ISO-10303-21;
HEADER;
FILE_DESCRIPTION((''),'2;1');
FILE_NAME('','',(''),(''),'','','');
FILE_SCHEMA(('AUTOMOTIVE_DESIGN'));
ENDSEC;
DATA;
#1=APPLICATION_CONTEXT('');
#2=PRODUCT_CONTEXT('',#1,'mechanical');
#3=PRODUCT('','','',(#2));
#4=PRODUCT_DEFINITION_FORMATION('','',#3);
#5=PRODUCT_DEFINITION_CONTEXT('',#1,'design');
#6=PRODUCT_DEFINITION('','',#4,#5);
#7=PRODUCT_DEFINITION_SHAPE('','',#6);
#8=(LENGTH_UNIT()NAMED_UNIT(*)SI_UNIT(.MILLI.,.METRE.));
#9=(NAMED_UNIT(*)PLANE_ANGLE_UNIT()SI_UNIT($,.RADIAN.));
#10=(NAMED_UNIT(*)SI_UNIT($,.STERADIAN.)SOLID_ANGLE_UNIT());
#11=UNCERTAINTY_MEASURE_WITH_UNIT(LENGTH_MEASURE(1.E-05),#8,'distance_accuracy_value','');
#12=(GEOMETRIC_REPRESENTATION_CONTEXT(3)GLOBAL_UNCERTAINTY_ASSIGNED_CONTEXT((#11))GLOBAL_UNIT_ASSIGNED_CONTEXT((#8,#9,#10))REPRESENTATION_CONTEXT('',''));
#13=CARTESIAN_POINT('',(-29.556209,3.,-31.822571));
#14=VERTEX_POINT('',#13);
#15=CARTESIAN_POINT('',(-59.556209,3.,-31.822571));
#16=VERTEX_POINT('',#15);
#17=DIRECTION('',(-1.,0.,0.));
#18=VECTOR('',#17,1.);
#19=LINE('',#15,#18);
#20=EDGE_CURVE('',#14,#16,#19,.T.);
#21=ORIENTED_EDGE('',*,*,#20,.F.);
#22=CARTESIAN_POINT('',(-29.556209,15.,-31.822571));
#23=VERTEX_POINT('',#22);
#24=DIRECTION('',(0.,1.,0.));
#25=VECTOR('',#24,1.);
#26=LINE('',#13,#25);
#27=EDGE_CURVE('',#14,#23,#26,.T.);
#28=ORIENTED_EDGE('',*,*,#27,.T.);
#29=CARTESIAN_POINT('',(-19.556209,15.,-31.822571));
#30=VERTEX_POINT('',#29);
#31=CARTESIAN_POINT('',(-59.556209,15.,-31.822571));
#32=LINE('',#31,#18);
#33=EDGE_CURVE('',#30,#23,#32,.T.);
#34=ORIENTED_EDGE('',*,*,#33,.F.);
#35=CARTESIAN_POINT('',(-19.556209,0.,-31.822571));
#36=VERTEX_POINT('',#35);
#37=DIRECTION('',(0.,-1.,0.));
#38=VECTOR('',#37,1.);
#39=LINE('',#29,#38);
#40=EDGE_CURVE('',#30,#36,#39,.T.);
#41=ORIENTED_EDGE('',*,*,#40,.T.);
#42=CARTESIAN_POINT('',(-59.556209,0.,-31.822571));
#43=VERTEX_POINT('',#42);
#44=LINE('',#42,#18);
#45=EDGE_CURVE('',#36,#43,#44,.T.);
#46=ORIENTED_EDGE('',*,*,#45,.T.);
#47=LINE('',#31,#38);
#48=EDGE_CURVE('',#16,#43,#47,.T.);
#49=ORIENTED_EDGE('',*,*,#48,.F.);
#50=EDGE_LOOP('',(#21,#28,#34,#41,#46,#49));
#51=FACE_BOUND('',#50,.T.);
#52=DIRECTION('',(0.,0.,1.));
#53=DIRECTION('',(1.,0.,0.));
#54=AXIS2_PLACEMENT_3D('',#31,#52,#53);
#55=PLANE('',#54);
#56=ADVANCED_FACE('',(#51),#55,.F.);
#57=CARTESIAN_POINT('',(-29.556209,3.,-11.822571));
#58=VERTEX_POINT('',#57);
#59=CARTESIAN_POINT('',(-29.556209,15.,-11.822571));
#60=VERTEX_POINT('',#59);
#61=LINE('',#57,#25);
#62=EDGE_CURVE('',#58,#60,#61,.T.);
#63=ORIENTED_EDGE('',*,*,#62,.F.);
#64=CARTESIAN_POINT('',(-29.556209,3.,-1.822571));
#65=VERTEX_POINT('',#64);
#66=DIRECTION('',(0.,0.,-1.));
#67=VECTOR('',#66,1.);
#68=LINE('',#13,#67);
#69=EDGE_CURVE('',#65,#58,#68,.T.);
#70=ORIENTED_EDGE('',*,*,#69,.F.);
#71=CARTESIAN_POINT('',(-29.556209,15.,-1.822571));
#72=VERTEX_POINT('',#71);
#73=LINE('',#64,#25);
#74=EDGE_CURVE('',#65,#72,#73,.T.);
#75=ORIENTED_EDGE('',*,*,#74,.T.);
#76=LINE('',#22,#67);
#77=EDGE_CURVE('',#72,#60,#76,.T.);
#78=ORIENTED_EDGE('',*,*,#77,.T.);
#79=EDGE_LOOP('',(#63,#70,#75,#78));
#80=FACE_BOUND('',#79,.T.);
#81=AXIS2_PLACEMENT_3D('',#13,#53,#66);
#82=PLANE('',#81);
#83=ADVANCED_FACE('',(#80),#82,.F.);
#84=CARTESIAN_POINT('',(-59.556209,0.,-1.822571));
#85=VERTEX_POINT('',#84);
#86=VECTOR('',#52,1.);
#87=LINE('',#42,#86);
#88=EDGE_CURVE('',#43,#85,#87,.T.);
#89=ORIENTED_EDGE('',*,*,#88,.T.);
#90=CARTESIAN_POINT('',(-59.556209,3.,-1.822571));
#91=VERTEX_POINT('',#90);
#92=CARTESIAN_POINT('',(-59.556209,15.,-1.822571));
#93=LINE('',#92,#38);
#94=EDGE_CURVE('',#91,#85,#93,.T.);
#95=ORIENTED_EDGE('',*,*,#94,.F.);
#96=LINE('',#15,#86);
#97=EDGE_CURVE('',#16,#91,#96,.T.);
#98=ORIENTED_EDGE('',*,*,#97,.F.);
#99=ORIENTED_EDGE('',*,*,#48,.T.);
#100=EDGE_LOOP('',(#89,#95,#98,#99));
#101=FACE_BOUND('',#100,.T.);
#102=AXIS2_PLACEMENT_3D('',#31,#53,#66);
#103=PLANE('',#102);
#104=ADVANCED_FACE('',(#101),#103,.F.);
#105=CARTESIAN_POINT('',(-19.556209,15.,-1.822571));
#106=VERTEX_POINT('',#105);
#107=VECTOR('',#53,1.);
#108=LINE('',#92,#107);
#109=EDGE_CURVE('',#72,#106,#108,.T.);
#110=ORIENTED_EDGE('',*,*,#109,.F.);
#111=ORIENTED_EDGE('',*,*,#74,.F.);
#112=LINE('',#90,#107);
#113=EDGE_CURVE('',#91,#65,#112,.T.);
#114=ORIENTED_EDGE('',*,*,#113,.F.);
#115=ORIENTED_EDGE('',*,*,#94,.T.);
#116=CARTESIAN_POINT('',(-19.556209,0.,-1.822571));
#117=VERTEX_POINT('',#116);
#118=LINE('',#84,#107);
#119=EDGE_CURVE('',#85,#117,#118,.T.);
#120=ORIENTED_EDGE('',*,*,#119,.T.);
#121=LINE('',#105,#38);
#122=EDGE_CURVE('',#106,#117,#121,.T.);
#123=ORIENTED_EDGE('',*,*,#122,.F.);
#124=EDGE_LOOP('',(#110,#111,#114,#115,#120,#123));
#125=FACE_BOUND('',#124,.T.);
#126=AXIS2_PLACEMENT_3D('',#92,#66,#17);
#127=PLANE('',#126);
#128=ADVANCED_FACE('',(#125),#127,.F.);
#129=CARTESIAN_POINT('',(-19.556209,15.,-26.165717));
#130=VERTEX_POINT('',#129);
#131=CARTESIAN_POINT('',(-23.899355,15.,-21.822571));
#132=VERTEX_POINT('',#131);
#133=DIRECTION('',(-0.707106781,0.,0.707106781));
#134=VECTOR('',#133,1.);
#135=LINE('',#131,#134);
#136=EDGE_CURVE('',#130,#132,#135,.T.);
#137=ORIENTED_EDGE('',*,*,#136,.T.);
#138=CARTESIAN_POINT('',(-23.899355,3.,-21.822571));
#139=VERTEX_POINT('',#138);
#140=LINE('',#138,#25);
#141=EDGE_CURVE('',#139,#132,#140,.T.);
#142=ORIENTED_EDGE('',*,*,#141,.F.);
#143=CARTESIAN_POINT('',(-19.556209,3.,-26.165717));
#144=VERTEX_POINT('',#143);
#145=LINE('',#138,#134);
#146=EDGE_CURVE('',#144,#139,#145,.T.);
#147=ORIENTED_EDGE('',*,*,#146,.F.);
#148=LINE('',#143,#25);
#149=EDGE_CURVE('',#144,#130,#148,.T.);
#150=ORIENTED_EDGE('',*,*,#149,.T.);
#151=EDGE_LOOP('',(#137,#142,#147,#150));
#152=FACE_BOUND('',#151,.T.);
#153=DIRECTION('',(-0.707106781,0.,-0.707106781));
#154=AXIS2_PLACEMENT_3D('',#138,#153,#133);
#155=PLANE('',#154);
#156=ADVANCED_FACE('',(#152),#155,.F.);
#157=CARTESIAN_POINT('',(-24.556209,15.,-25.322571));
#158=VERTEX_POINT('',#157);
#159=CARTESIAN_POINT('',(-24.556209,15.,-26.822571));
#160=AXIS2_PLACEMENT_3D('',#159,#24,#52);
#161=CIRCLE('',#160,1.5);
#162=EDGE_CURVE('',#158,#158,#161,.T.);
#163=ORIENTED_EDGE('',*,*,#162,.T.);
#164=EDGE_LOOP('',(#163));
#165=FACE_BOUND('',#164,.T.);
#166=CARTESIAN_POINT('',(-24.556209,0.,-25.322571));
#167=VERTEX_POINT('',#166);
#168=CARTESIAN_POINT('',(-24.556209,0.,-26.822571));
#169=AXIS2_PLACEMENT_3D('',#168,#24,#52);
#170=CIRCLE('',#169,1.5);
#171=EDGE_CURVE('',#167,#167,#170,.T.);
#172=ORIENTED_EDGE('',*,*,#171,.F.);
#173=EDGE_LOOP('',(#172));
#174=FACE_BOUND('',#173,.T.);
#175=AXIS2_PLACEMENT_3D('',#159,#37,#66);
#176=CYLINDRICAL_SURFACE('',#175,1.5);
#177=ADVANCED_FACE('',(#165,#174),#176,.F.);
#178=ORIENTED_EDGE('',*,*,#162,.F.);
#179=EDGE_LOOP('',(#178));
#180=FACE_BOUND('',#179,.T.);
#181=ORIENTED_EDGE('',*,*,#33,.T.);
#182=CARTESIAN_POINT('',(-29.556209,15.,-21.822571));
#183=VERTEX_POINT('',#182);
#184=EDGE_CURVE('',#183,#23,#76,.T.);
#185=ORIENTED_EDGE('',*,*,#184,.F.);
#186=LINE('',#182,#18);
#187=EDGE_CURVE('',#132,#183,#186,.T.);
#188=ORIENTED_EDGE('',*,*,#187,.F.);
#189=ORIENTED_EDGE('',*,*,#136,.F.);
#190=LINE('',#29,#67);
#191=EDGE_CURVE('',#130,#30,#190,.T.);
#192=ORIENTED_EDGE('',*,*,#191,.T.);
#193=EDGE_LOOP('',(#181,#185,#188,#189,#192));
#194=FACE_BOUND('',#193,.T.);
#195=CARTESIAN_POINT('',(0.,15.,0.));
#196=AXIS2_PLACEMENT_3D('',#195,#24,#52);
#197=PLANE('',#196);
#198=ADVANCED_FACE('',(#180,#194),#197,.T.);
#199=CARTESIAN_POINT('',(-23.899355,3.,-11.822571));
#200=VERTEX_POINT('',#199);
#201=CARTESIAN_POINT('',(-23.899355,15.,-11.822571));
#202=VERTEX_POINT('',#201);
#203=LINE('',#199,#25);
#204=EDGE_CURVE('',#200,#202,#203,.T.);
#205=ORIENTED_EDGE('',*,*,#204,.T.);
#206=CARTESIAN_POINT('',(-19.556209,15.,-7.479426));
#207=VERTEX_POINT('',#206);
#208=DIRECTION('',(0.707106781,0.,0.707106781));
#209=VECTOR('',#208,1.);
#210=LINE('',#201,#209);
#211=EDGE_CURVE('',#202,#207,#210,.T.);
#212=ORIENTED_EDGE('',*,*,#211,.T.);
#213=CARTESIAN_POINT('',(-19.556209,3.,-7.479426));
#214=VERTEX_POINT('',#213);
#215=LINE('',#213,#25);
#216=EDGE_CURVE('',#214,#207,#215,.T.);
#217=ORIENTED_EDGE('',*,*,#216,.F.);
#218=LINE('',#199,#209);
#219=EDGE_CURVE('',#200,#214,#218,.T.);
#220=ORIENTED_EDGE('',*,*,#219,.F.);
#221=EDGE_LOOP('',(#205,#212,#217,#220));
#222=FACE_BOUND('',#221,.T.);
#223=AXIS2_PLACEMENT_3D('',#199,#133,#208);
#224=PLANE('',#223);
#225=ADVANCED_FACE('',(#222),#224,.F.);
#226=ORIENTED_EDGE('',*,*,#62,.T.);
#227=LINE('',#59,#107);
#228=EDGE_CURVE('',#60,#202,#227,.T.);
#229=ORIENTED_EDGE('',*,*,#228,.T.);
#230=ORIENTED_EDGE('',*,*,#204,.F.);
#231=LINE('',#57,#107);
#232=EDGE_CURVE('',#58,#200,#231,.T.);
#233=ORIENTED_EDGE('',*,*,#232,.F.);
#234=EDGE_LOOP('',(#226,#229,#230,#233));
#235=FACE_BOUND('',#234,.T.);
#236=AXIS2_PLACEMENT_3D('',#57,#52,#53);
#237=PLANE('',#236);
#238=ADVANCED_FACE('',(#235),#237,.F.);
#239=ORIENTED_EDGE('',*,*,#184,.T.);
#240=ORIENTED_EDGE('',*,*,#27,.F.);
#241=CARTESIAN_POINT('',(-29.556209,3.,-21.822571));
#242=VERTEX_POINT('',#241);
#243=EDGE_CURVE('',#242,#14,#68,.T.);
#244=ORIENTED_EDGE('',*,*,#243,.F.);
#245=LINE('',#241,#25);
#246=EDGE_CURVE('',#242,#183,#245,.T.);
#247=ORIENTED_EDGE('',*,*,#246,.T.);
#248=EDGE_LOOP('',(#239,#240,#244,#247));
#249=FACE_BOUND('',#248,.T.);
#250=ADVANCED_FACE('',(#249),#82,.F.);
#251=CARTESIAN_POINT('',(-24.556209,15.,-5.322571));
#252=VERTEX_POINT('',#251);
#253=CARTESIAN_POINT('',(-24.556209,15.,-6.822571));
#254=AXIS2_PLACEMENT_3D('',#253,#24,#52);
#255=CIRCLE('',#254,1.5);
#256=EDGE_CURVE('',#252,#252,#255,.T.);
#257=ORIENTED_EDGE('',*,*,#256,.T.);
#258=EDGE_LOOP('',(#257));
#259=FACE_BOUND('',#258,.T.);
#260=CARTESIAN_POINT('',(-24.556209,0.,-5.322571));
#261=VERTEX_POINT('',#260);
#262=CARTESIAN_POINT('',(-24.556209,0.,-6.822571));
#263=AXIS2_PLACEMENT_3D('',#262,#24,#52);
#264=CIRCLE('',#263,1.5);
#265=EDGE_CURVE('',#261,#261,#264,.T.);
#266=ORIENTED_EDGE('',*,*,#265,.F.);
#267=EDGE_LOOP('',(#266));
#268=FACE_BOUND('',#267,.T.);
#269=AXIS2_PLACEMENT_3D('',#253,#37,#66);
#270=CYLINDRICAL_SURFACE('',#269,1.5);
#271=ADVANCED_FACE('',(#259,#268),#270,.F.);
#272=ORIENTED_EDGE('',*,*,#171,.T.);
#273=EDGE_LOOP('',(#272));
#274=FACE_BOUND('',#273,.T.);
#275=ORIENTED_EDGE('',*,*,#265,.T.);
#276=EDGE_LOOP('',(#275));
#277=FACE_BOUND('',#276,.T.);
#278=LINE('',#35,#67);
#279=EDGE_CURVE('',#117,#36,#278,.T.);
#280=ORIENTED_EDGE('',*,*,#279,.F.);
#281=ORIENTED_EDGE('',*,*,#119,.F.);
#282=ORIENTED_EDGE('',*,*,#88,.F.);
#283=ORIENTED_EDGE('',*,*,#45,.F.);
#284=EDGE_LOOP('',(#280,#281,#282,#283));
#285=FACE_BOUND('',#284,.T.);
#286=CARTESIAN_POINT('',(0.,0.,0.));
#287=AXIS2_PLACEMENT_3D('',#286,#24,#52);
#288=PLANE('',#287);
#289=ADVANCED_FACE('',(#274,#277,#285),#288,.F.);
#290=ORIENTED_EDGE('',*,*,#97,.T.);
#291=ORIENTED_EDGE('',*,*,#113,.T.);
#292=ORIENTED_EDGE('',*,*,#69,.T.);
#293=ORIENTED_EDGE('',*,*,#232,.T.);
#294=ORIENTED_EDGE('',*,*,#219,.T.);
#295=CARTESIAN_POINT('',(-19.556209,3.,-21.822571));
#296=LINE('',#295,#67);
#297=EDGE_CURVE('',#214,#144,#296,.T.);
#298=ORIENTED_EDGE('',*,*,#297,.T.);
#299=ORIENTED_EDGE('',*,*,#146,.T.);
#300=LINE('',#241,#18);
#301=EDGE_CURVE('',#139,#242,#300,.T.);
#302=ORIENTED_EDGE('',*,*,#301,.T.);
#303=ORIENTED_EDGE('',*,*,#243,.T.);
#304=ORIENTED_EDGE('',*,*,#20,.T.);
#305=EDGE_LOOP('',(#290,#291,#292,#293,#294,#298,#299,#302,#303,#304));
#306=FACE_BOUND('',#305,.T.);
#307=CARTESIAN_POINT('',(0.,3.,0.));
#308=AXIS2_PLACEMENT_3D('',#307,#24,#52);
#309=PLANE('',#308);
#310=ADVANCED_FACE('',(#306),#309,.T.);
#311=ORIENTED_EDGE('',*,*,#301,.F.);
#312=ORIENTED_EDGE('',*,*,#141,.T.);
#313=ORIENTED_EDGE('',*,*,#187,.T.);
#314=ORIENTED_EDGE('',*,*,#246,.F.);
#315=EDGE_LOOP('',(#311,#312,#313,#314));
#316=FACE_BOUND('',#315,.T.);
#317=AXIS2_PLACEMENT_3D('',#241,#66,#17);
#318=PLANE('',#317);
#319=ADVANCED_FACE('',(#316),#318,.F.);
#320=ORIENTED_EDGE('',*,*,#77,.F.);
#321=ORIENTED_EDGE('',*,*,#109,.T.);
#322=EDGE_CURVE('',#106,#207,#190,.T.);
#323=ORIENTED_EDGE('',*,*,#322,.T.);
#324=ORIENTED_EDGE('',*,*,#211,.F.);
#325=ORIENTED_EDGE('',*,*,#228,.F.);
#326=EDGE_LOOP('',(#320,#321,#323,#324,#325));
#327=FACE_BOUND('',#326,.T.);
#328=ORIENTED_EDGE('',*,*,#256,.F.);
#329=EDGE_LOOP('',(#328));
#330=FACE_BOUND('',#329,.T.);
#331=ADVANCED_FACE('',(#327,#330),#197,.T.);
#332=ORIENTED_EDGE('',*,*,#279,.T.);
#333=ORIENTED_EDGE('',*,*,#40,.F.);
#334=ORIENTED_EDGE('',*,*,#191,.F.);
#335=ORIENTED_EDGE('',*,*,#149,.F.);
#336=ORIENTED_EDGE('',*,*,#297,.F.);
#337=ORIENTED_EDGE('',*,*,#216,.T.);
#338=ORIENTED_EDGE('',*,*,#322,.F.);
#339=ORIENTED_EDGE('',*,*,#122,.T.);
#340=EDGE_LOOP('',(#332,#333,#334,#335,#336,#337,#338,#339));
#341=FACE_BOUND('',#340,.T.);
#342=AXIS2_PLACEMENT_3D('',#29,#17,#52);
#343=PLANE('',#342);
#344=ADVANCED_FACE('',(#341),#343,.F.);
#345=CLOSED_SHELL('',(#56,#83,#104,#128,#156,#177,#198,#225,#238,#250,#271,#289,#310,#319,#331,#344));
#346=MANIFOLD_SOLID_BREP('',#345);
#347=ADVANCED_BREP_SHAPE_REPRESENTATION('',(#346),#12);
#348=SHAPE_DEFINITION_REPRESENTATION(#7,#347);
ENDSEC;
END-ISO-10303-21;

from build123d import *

# Parameters (mm, degrees)
SKETCH1_W           = 40
SKETCH1_H           = 30
SKETCH1_R           = 1.5
BOSS_EXTRUDE1_DEPTH = 15
SKETCH2_W           = 30
SKETCH2_H           = 30
CUT_EXTRUDE1_DEPTH  = 12
SKETCH3_W           = 10
SKETCH3_H           = 10
CUT_EXTRUDE2_DEPTH  = 12
CUT_EXTRUDE3_DEPTH  = 12


with BuildPart() as part:
    # Sketch1 → Boss-Extrude1 (new body)
    with BuildSketch(Plane(origin=(0, 0, 0), x_dir=(1, 0, 0), z_dir=(0, 1, 0))):
        with Locations((-39.556208855, 16.822571299)):
            Rectangle(SKETCH1_W, SKETCH1_H)
        with Locations(Location((-24.556208855, 26.822571299, 0), (0, 0, 270))):
            Circle(SKETCH1_R, mode=Mode.SUBTRACT)
        with Locations(Location((-24.556208855, 6.822571299, 0), (0, 0, 270))):
            Circle(SKETCH1_R, mode=Mode.SUBTRACT)
    extrude(amount=BOSS_EXTRUDE1_DEPTH)

    # Sketch2 → Cut-Extrude1 (cut)
    with BuildSketch(Plane(origin=(0, 15, 0), x_dir=(1, 0, 0), z_dir=(0, 1, 0))):
        with Locations((-44.556208855, 16.822571299)):
            Rectangle(SKETCH2_W, SKETCH2_H)
    extrude(amount=-CUT_EXTRUDE1_DEPTH, mode=Mode.SUBTRACT)

    # Sketch3 → Cut-Extrude2 (cut)
    with BuildSketch(Plane(origin=(0, 15, 0), x_dir=(1, 0, 0), z_dir=(0, 1, 0))):
        with Locations((-24.556208855, 16.822571299)):
            Rectangle(SKETCH3_W, SKETCH3_H)
    extrude(amount=-CUT_EXTRUDE2_DEPTH, mode=Mode.SUBTRACT)

    # Sketch4 → Cut-Extrude3 (cut)
    with BuildSketch(Plane(origin=(0, 15, 0), x_dir=(1, 0, 0), z_dir=(0, 1, 0))):
        Polygon((-23.899354605, 21.822571299), (-19.556208855, 26.165717049), (-19.556208855, 21.822571299), align=None)
        Polygon((-23.899354605, 11.822571299), (-19.556208855, 7.479425548), (-19.556208855, 11.822571299), align=None)
    extrude(amount=-CUT_EXTRUDE3_DEPTH, mode=Mode.SUBTRACT)


solid = part.part
